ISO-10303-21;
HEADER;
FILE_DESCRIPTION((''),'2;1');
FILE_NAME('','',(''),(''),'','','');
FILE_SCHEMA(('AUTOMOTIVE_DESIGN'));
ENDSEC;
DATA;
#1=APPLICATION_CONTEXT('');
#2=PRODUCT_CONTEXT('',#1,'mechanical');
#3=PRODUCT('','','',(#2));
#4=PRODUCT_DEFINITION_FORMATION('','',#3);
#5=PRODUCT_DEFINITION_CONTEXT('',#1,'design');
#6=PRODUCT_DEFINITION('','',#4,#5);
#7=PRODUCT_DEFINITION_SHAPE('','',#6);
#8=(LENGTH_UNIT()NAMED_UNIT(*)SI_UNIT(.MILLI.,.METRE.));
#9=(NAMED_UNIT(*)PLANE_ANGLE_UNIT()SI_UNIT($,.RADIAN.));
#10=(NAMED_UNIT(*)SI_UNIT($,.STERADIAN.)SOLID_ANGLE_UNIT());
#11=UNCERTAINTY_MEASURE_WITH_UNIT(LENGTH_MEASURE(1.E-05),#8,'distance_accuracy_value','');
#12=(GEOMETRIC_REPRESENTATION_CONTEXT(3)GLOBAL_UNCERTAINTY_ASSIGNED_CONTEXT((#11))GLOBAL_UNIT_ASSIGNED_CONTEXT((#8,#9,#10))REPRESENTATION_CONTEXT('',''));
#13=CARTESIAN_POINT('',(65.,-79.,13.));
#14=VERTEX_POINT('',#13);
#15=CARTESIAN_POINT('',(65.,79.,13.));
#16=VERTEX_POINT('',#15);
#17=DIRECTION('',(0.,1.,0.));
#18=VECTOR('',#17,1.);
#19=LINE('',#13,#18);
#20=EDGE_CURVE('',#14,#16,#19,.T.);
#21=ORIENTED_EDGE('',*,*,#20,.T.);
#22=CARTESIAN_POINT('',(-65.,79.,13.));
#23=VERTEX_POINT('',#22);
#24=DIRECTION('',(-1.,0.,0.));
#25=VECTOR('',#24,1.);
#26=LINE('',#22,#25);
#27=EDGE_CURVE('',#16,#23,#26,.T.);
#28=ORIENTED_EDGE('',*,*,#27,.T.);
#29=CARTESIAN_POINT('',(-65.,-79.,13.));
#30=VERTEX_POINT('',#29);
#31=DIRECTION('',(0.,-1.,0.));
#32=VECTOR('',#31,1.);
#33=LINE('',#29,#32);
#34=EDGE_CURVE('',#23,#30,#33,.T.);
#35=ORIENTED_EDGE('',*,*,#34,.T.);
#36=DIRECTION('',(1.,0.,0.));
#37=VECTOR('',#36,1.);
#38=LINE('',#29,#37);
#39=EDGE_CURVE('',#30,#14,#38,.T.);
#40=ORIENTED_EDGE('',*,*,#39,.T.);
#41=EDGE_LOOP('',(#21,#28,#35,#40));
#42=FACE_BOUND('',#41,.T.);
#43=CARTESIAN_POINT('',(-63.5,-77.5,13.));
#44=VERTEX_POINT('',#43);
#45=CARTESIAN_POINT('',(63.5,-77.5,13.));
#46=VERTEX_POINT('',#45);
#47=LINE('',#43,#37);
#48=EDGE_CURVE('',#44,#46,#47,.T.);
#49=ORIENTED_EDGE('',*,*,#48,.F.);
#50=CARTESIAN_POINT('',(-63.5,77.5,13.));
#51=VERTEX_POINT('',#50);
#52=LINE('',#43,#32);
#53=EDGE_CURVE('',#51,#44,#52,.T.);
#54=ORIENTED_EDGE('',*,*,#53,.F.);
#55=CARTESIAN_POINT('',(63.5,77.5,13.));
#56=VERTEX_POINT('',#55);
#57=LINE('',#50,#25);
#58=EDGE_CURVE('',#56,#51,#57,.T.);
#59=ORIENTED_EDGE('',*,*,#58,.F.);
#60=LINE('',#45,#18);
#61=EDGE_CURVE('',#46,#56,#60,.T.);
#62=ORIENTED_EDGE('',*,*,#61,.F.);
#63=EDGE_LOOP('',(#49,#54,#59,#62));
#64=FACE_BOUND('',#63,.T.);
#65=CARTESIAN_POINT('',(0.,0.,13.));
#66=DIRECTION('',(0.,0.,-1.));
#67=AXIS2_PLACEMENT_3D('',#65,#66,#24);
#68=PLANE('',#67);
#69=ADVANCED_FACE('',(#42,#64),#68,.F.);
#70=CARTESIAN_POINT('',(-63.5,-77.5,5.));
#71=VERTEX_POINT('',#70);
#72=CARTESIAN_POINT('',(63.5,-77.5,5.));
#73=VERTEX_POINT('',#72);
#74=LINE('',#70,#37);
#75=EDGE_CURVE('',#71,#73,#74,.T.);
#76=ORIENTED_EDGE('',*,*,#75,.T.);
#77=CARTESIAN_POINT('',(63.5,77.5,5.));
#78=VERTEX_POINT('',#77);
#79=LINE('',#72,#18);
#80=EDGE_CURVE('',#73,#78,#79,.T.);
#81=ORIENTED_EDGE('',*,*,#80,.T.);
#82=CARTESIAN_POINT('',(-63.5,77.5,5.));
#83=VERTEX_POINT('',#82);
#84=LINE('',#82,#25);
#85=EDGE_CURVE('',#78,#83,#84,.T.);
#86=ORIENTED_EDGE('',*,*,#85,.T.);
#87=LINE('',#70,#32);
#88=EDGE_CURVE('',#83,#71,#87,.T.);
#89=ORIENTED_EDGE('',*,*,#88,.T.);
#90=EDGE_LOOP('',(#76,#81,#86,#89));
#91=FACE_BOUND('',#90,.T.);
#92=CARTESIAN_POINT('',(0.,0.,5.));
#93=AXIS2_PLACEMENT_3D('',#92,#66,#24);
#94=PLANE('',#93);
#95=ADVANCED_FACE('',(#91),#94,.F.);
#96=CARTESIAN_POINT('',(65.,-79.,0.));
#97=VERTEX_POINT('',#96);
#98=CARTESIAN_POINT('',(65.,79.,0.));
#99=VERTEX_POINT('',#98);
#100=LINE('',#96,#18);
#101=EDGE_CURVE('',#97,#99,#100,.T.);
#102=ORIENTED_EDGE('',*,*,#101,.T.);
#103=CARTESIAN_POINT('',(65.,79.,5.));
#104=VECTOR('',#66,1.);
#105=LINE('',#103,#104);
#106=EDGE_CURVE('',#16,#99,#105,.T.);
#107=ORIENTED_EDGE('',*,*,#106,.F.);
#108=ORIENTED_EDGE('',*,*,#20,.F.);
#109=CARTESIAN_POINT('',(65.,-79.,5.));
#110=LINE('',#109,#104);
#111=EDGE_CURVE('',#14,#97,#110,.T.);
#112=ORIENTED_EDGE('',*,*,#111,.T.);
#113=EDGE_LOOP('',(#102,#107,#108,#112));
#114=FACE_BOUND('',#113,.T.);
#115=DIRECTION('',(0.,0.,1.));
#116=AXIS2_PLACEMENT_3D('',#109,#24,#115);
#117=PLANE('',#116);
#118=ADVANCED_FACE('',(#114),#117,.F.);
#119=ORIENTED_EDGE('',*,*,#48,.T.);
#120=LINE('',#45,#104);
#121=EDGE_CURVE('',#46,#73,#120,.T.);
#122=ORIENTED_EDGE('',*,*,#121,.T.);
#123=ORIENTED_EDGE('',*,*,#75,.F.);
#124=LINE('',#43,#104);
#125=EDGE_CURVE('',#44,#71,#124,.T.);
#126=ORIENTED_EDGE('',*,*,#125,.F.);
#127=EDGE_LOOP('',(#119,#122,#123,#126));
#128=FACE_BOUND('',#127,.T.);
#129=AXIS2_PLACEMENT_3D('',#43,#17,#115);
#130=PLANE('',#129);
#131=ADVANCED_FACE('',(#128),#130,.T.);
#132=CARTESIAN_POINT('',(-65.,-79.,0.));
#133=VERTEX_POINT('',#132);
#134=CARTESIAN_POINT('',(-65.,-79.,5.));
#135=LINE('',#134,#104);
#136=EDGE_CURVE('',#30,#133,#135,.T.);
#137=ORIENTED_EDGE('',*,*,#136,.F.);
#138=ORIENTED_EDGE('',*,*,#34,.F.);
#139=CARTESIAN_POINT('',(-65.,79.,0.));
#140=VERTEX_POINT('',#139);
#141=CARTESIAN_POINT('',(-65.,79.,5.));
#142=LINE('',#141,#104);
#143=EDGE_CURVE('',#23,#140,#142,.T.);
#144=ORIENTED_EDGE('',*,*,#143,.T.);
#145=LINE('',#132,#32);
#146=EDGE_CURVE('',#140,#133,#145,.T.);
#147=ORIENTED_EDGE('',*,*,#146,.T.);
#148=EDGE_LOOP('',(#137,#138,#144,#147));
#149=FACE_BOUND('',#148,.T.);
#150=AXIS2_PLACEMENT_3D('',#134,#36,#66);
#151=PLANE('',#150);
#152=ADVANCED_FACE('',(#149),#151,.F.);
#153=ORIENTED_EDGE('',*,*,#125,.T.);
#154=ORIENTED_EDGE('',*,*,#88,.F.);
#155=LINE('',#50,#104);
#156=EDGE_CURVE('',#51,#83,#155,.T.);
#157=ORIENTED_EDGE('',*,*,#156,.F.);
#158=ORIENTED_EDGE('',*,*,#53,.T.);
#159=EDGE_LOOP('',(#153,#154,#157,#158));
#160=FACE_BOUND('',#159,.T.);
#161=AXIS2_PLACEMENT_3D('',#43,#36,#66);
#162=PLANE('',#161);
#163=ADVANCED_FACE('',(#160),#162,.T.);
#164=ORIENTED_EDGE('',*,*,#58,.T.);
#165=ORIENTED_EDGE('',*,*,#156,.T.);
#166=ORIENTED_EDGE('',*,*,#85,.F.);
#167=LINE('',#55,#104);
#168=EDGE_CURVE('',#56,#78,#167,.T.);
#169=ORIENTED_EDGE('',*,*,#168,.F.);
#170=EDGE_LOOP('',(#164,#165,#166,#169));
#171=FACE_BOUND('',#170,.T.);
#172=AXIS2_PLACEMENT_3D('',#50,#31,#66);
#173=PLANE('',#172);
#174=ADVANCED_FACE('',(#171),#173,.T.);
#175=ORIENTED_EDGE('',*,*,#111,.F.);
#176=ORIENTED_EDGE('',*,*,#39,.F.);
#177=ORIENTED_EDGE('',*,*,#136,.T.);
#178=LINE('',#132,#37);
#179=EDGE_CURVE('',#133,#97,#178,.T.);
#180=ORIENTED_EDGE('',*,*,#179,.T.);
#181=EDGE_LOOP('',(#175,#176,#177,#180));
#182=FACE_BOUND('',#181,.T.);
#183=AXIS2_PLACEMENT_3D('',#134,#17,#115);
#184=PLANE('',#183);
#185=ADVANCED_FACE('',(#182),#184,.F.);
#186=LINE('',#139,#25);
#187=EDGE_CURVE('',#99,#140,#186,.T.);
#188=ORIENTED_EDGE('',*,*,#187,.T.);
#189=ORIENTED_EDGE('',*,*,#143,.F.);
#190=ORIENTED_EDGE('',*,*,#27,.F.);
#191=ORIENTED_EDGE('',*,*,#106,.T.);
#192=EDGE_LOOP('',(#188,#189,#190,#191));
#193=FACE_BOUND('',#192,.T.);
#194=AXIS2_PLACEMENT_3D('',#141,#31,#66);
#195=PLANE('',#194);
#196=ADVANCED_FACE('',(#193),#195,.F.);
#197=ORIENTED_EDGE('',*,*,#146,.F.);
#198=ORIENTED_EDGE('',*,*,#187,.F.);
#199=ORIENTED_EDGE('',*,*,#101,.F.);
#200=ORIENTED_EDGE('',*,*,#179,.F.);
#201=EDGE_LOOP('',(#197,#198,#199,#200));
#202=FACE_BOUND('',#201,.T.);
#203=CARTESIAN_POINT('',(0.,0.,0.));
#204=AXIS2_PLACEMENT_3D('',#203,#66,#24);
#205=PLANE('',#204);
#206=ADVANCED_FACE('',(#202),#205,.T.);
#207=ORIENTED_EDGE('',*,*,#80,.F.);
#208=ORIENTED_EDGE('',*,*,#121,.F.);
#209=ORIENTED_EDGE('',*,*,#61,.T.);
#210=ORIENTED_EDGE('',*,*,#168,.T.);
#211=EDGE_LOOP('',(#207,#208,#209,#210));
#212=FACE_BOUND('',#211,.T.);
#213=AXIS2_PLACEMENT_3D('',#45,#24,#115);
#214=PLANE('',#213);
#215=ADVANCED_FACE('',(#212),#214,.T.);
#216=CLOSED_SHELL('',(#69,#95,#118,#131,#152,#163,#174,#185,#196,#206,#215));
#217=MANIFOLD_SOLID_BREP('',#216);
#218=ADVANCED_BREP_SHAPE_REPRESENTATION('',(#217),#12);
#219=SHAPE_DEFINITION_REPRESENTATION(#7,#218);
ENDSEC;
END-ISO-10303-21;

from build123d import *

# Parameters (mm, degrees)
CROQUIS1_W              = 130
CROQUIS1_H              = 158
SALIENTE_EXTRUIR1_DEPTH = 5
CROQUIS2_W              = 130
CROQUIS2_H              = 158
CROQUIS2_W_2            = 127
CROQUIS2_H_2            = 155
SALIENTE_EXTRUIR2_DEPTH = 8


with BuildPart() as part:
    # Croquis1 → Saliente-Extruir1 (new body)
    with BuildSketch(Plane.XY):
        Rectangle(CROQUIS1_W, CROQUIS1_H)
    extrude(amount=SALIENTE_EXTRUIR1_DEPTH)

    # Croquis2 → Saliente-Extruir2 (add)
    with BuildSketch(Plane.XY.offset(5)):
        Rectangle(CROQUIS2_W, CROQUIS2_H)
        Rectangle(CROQUIS2_W_2, CROQUIS2_H_2, mode=Mode.SUBTRACT)
    extrude(amount=SALIENTE_EXTRUIR2_DEPTH)


solid = part.part
